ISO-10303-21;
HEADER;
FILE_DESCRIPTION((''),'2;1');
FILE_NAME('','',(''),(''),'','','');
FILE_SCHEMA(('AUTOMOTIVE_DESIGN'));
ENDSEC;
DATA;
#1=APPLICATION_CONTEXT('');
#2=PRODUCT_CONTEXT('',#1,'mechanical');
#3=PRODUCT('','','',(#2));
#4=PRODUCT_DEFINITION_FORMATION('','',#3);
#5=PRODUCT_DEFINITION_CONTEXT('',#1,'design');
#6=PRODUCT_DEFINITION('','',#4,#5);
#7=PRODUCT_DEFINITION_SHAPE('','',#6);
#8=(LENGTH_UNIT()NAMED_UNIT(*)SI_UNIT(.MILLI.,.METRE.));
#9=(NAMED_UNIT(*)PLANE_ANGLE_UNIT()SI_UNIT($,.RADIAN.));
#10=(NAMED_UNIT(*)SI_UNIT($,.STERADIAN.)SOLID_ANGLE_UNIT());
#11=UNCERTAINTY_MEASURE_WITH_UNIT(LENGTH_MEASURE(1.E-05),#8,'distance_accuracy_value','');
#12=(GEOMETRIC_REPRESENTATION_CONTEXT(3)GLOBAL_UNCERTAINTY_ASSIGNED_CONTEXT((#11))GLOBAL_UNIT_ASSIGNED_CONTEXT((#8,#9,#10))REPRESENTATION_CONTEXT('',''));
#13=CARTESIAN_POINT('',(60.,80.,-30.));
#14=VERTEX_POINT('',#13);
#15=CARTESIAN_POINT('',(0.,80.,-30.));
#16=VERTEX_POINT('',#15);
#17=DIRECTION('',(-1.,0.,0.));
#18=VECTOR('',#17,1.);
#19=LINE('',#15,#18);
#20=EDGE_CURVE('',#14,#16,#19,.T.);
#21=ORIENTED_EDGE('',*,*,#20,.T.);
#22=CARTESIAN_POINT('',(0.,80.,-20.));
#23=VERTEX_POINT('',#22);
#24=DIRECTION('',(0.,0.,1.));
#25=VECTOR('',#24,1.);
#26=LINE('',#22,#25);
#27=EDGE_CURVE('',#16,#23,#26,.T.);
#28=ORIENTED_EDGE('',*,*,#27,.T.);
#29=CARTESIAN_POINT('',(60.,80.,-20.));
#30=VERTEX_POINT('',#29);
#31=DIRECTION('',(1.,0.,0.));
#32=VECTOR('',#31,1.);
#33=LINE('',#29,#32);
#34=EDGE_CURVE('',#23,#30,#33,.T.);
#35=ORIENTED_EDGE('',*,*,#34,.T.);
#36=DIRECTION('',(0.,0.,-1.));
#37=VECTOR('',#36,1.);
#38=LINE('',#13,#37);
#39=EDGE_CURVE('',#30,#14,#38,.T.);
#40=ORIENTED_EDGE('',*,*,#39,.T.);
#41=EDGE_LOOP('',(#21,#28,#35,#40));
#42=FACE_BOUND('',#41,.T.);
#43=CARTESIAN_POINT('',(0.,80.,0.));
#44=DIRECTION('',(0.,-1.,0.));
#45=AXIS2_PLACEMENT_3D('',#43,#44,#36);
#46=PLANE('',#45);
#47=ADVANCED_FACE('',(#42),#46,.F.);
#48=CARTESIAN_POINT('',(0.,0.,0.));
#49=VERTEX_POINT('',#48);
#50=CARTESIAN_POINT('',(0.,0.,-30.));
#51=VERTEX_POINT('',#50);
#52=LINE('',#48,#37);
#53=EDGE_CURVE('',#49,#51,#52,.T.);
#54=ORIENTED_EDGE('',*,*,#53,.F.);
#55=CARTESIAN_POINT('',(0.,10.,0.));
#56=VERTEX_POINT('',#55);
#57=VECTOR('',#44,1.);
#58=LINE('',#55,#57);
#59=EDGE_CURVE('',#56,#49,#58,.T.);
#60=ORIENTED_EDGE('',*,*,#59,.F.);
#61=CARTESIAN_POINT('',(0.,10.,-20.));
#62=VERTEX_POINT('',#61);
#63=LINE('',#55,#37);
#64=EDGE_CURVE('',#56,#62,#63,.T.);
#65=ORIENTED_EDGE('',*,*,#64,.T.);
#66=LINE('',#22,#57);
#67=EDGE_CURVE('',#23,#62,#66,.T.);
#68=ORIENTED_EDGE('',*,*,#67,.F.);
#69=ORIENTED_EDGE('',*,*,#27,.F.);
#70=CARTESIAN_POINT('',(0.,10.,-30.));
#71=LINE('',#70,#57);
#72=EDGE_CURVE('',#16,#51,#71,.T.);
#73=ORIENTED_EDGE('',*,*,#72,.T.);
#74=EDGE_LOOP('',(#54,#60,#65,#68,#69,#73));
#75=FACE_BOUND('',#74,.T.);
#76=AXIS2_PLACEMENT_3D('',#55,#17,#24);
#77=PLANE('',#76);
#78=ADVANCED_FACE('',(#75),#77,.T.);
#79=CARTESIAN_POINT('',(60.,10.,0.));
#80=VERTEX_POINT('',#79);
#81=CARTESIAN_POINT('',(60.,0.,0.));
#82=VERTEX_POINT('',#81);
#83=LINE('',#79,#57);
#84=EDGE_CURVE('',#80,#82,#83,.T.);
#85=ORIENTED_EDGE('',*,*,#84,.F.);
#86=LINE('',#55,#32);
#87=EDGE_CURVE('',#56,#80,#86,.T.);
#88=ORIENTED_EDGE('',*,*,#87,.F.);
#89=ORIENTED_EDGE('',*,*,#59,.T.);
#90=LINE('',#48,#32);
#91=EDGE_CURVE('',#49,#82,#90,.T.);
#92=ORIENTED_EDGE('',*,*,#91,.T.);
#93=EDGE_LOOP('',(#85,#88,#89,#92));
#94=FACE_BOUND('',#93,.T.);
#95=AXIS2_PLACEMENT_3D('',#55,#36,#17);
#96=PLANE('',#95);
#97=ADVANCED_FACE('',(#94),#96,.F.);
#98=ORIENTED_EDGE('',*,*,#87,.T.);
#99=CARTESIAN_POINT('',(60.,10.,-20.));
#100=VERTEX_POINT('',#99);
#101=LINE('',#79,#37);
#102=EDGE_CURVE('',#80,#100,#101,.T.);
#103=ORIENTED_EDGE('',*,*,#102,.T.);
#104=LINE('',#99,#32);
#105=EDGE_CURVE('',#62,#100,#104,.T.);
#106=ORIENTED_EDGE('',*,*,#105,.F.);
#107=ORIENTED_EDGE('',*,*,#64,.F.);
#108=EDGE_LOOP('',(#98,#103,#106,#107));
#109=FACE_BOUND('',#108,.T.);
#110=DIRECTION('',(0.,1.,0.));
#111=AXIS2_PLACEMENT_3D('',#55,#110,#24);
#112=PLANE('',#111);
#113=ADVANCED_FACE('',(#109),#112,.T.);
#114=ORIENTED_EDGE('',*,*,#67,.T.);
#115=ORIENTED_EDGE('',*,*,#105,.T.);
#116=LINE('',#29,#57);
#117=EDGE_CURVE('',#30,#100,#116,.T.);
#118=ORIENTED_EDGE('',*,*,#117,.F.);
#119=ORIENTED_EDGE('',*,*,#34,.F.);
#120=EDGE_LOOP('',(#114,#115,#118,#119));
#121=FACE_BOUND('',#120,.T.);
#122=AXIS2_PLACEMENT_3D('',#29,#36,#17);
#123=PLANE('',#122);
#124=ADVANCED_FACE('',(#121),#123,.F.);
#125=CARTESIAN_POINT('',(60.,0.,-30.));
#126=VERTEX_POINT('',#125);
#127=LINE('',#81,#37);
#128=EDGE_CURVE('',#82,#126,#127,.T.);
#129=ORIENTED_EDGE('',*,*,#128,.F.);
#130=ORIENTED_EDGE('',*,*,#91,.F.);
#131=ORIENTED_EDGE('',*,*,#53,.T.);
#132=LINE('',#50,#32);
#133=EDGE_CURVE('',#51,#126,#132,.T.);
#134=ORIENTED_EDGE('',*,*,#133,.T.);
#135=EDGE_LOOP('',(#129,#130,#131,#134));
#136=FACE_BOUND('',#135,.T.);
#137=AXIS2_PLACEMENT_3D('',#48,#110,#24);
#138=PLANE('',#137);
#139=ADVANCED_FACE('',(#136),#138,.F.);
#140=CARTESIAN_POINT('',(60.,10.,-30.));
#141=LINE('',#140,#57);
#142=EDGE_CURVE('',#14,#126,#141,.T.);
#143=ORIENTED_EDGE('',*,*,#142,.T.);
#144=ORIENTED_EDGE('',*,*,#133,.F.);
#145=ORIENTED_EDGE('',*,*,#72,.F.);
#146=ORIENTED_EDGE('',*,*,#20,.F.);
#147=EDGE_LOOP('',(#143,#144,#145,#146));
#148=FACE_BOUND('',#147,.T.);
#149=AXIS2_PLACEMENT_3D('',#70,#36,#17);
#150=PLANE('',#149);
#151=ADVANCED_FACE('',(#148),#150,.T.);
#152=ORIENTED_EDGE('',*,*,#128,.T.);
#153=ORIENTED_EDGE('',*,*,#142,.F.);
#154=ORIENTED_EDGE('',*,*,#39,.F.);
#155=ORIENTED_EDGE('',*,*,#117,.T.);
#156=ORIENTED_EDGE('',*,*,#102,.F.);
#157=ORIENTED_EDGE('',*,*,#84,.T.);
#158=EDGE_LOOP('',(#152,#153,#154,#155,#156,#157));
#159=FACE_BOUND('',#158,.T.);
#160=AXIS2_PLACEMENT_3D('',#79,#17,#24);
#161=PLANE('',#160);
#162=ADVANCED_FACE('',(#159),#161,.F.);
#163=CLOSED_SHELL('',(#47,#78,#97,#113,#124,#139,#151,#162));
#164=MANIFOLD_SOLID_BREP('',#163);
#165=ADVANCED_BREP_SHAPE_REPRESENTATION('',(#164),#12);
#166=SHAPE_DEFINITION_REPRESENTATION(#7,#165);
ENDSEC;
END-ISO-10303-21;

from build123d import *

# Parameters (mm, degrees)
ESQUISSE1_W        = 60
ESQUISSE1_H        = 20
ESQUISSE1_H_2      = 10
BOSS_EXTRU_1_DEPTH = 10
ESQUISSE2_W        = 60
ESQUISSE2_H        = 10
BOSS_EXTRU_2_DEPTH = 70


with BuildPart() as part:
    # Esquisse1 → Boss.-Extru.1 (new body)
    with BuildSketch(Plane(origin=(0, 0, 0), x_dir=(1, 0, 0), z_dir=(0, 1, 0))):
        with Locations((30, 10)):
            Rectangle(ESQUISSE1_W, ESQUISSE1_H)
        with Locations((30, 25)):
            Rectangle(ESQUISSE1_W, ESQUISSE1_H_2)
    extrude(amount=BOSS_EXTRU_1_DEPTH)

    # Esquisse2 → Boss.-Extru.2 (add)
    with BuildSketch(Plane(origin=(0, 10, 0), x_dir=(1, 0, 0), z_dir=(0, 1, 0))):
        with Locations((30, 25)):
            Rectangle(ESQUISSE2_W, ESQUISSE2_H)
    extrude(amount=BOSS_EXTRU_2_DEPTH)


solid = part.part
